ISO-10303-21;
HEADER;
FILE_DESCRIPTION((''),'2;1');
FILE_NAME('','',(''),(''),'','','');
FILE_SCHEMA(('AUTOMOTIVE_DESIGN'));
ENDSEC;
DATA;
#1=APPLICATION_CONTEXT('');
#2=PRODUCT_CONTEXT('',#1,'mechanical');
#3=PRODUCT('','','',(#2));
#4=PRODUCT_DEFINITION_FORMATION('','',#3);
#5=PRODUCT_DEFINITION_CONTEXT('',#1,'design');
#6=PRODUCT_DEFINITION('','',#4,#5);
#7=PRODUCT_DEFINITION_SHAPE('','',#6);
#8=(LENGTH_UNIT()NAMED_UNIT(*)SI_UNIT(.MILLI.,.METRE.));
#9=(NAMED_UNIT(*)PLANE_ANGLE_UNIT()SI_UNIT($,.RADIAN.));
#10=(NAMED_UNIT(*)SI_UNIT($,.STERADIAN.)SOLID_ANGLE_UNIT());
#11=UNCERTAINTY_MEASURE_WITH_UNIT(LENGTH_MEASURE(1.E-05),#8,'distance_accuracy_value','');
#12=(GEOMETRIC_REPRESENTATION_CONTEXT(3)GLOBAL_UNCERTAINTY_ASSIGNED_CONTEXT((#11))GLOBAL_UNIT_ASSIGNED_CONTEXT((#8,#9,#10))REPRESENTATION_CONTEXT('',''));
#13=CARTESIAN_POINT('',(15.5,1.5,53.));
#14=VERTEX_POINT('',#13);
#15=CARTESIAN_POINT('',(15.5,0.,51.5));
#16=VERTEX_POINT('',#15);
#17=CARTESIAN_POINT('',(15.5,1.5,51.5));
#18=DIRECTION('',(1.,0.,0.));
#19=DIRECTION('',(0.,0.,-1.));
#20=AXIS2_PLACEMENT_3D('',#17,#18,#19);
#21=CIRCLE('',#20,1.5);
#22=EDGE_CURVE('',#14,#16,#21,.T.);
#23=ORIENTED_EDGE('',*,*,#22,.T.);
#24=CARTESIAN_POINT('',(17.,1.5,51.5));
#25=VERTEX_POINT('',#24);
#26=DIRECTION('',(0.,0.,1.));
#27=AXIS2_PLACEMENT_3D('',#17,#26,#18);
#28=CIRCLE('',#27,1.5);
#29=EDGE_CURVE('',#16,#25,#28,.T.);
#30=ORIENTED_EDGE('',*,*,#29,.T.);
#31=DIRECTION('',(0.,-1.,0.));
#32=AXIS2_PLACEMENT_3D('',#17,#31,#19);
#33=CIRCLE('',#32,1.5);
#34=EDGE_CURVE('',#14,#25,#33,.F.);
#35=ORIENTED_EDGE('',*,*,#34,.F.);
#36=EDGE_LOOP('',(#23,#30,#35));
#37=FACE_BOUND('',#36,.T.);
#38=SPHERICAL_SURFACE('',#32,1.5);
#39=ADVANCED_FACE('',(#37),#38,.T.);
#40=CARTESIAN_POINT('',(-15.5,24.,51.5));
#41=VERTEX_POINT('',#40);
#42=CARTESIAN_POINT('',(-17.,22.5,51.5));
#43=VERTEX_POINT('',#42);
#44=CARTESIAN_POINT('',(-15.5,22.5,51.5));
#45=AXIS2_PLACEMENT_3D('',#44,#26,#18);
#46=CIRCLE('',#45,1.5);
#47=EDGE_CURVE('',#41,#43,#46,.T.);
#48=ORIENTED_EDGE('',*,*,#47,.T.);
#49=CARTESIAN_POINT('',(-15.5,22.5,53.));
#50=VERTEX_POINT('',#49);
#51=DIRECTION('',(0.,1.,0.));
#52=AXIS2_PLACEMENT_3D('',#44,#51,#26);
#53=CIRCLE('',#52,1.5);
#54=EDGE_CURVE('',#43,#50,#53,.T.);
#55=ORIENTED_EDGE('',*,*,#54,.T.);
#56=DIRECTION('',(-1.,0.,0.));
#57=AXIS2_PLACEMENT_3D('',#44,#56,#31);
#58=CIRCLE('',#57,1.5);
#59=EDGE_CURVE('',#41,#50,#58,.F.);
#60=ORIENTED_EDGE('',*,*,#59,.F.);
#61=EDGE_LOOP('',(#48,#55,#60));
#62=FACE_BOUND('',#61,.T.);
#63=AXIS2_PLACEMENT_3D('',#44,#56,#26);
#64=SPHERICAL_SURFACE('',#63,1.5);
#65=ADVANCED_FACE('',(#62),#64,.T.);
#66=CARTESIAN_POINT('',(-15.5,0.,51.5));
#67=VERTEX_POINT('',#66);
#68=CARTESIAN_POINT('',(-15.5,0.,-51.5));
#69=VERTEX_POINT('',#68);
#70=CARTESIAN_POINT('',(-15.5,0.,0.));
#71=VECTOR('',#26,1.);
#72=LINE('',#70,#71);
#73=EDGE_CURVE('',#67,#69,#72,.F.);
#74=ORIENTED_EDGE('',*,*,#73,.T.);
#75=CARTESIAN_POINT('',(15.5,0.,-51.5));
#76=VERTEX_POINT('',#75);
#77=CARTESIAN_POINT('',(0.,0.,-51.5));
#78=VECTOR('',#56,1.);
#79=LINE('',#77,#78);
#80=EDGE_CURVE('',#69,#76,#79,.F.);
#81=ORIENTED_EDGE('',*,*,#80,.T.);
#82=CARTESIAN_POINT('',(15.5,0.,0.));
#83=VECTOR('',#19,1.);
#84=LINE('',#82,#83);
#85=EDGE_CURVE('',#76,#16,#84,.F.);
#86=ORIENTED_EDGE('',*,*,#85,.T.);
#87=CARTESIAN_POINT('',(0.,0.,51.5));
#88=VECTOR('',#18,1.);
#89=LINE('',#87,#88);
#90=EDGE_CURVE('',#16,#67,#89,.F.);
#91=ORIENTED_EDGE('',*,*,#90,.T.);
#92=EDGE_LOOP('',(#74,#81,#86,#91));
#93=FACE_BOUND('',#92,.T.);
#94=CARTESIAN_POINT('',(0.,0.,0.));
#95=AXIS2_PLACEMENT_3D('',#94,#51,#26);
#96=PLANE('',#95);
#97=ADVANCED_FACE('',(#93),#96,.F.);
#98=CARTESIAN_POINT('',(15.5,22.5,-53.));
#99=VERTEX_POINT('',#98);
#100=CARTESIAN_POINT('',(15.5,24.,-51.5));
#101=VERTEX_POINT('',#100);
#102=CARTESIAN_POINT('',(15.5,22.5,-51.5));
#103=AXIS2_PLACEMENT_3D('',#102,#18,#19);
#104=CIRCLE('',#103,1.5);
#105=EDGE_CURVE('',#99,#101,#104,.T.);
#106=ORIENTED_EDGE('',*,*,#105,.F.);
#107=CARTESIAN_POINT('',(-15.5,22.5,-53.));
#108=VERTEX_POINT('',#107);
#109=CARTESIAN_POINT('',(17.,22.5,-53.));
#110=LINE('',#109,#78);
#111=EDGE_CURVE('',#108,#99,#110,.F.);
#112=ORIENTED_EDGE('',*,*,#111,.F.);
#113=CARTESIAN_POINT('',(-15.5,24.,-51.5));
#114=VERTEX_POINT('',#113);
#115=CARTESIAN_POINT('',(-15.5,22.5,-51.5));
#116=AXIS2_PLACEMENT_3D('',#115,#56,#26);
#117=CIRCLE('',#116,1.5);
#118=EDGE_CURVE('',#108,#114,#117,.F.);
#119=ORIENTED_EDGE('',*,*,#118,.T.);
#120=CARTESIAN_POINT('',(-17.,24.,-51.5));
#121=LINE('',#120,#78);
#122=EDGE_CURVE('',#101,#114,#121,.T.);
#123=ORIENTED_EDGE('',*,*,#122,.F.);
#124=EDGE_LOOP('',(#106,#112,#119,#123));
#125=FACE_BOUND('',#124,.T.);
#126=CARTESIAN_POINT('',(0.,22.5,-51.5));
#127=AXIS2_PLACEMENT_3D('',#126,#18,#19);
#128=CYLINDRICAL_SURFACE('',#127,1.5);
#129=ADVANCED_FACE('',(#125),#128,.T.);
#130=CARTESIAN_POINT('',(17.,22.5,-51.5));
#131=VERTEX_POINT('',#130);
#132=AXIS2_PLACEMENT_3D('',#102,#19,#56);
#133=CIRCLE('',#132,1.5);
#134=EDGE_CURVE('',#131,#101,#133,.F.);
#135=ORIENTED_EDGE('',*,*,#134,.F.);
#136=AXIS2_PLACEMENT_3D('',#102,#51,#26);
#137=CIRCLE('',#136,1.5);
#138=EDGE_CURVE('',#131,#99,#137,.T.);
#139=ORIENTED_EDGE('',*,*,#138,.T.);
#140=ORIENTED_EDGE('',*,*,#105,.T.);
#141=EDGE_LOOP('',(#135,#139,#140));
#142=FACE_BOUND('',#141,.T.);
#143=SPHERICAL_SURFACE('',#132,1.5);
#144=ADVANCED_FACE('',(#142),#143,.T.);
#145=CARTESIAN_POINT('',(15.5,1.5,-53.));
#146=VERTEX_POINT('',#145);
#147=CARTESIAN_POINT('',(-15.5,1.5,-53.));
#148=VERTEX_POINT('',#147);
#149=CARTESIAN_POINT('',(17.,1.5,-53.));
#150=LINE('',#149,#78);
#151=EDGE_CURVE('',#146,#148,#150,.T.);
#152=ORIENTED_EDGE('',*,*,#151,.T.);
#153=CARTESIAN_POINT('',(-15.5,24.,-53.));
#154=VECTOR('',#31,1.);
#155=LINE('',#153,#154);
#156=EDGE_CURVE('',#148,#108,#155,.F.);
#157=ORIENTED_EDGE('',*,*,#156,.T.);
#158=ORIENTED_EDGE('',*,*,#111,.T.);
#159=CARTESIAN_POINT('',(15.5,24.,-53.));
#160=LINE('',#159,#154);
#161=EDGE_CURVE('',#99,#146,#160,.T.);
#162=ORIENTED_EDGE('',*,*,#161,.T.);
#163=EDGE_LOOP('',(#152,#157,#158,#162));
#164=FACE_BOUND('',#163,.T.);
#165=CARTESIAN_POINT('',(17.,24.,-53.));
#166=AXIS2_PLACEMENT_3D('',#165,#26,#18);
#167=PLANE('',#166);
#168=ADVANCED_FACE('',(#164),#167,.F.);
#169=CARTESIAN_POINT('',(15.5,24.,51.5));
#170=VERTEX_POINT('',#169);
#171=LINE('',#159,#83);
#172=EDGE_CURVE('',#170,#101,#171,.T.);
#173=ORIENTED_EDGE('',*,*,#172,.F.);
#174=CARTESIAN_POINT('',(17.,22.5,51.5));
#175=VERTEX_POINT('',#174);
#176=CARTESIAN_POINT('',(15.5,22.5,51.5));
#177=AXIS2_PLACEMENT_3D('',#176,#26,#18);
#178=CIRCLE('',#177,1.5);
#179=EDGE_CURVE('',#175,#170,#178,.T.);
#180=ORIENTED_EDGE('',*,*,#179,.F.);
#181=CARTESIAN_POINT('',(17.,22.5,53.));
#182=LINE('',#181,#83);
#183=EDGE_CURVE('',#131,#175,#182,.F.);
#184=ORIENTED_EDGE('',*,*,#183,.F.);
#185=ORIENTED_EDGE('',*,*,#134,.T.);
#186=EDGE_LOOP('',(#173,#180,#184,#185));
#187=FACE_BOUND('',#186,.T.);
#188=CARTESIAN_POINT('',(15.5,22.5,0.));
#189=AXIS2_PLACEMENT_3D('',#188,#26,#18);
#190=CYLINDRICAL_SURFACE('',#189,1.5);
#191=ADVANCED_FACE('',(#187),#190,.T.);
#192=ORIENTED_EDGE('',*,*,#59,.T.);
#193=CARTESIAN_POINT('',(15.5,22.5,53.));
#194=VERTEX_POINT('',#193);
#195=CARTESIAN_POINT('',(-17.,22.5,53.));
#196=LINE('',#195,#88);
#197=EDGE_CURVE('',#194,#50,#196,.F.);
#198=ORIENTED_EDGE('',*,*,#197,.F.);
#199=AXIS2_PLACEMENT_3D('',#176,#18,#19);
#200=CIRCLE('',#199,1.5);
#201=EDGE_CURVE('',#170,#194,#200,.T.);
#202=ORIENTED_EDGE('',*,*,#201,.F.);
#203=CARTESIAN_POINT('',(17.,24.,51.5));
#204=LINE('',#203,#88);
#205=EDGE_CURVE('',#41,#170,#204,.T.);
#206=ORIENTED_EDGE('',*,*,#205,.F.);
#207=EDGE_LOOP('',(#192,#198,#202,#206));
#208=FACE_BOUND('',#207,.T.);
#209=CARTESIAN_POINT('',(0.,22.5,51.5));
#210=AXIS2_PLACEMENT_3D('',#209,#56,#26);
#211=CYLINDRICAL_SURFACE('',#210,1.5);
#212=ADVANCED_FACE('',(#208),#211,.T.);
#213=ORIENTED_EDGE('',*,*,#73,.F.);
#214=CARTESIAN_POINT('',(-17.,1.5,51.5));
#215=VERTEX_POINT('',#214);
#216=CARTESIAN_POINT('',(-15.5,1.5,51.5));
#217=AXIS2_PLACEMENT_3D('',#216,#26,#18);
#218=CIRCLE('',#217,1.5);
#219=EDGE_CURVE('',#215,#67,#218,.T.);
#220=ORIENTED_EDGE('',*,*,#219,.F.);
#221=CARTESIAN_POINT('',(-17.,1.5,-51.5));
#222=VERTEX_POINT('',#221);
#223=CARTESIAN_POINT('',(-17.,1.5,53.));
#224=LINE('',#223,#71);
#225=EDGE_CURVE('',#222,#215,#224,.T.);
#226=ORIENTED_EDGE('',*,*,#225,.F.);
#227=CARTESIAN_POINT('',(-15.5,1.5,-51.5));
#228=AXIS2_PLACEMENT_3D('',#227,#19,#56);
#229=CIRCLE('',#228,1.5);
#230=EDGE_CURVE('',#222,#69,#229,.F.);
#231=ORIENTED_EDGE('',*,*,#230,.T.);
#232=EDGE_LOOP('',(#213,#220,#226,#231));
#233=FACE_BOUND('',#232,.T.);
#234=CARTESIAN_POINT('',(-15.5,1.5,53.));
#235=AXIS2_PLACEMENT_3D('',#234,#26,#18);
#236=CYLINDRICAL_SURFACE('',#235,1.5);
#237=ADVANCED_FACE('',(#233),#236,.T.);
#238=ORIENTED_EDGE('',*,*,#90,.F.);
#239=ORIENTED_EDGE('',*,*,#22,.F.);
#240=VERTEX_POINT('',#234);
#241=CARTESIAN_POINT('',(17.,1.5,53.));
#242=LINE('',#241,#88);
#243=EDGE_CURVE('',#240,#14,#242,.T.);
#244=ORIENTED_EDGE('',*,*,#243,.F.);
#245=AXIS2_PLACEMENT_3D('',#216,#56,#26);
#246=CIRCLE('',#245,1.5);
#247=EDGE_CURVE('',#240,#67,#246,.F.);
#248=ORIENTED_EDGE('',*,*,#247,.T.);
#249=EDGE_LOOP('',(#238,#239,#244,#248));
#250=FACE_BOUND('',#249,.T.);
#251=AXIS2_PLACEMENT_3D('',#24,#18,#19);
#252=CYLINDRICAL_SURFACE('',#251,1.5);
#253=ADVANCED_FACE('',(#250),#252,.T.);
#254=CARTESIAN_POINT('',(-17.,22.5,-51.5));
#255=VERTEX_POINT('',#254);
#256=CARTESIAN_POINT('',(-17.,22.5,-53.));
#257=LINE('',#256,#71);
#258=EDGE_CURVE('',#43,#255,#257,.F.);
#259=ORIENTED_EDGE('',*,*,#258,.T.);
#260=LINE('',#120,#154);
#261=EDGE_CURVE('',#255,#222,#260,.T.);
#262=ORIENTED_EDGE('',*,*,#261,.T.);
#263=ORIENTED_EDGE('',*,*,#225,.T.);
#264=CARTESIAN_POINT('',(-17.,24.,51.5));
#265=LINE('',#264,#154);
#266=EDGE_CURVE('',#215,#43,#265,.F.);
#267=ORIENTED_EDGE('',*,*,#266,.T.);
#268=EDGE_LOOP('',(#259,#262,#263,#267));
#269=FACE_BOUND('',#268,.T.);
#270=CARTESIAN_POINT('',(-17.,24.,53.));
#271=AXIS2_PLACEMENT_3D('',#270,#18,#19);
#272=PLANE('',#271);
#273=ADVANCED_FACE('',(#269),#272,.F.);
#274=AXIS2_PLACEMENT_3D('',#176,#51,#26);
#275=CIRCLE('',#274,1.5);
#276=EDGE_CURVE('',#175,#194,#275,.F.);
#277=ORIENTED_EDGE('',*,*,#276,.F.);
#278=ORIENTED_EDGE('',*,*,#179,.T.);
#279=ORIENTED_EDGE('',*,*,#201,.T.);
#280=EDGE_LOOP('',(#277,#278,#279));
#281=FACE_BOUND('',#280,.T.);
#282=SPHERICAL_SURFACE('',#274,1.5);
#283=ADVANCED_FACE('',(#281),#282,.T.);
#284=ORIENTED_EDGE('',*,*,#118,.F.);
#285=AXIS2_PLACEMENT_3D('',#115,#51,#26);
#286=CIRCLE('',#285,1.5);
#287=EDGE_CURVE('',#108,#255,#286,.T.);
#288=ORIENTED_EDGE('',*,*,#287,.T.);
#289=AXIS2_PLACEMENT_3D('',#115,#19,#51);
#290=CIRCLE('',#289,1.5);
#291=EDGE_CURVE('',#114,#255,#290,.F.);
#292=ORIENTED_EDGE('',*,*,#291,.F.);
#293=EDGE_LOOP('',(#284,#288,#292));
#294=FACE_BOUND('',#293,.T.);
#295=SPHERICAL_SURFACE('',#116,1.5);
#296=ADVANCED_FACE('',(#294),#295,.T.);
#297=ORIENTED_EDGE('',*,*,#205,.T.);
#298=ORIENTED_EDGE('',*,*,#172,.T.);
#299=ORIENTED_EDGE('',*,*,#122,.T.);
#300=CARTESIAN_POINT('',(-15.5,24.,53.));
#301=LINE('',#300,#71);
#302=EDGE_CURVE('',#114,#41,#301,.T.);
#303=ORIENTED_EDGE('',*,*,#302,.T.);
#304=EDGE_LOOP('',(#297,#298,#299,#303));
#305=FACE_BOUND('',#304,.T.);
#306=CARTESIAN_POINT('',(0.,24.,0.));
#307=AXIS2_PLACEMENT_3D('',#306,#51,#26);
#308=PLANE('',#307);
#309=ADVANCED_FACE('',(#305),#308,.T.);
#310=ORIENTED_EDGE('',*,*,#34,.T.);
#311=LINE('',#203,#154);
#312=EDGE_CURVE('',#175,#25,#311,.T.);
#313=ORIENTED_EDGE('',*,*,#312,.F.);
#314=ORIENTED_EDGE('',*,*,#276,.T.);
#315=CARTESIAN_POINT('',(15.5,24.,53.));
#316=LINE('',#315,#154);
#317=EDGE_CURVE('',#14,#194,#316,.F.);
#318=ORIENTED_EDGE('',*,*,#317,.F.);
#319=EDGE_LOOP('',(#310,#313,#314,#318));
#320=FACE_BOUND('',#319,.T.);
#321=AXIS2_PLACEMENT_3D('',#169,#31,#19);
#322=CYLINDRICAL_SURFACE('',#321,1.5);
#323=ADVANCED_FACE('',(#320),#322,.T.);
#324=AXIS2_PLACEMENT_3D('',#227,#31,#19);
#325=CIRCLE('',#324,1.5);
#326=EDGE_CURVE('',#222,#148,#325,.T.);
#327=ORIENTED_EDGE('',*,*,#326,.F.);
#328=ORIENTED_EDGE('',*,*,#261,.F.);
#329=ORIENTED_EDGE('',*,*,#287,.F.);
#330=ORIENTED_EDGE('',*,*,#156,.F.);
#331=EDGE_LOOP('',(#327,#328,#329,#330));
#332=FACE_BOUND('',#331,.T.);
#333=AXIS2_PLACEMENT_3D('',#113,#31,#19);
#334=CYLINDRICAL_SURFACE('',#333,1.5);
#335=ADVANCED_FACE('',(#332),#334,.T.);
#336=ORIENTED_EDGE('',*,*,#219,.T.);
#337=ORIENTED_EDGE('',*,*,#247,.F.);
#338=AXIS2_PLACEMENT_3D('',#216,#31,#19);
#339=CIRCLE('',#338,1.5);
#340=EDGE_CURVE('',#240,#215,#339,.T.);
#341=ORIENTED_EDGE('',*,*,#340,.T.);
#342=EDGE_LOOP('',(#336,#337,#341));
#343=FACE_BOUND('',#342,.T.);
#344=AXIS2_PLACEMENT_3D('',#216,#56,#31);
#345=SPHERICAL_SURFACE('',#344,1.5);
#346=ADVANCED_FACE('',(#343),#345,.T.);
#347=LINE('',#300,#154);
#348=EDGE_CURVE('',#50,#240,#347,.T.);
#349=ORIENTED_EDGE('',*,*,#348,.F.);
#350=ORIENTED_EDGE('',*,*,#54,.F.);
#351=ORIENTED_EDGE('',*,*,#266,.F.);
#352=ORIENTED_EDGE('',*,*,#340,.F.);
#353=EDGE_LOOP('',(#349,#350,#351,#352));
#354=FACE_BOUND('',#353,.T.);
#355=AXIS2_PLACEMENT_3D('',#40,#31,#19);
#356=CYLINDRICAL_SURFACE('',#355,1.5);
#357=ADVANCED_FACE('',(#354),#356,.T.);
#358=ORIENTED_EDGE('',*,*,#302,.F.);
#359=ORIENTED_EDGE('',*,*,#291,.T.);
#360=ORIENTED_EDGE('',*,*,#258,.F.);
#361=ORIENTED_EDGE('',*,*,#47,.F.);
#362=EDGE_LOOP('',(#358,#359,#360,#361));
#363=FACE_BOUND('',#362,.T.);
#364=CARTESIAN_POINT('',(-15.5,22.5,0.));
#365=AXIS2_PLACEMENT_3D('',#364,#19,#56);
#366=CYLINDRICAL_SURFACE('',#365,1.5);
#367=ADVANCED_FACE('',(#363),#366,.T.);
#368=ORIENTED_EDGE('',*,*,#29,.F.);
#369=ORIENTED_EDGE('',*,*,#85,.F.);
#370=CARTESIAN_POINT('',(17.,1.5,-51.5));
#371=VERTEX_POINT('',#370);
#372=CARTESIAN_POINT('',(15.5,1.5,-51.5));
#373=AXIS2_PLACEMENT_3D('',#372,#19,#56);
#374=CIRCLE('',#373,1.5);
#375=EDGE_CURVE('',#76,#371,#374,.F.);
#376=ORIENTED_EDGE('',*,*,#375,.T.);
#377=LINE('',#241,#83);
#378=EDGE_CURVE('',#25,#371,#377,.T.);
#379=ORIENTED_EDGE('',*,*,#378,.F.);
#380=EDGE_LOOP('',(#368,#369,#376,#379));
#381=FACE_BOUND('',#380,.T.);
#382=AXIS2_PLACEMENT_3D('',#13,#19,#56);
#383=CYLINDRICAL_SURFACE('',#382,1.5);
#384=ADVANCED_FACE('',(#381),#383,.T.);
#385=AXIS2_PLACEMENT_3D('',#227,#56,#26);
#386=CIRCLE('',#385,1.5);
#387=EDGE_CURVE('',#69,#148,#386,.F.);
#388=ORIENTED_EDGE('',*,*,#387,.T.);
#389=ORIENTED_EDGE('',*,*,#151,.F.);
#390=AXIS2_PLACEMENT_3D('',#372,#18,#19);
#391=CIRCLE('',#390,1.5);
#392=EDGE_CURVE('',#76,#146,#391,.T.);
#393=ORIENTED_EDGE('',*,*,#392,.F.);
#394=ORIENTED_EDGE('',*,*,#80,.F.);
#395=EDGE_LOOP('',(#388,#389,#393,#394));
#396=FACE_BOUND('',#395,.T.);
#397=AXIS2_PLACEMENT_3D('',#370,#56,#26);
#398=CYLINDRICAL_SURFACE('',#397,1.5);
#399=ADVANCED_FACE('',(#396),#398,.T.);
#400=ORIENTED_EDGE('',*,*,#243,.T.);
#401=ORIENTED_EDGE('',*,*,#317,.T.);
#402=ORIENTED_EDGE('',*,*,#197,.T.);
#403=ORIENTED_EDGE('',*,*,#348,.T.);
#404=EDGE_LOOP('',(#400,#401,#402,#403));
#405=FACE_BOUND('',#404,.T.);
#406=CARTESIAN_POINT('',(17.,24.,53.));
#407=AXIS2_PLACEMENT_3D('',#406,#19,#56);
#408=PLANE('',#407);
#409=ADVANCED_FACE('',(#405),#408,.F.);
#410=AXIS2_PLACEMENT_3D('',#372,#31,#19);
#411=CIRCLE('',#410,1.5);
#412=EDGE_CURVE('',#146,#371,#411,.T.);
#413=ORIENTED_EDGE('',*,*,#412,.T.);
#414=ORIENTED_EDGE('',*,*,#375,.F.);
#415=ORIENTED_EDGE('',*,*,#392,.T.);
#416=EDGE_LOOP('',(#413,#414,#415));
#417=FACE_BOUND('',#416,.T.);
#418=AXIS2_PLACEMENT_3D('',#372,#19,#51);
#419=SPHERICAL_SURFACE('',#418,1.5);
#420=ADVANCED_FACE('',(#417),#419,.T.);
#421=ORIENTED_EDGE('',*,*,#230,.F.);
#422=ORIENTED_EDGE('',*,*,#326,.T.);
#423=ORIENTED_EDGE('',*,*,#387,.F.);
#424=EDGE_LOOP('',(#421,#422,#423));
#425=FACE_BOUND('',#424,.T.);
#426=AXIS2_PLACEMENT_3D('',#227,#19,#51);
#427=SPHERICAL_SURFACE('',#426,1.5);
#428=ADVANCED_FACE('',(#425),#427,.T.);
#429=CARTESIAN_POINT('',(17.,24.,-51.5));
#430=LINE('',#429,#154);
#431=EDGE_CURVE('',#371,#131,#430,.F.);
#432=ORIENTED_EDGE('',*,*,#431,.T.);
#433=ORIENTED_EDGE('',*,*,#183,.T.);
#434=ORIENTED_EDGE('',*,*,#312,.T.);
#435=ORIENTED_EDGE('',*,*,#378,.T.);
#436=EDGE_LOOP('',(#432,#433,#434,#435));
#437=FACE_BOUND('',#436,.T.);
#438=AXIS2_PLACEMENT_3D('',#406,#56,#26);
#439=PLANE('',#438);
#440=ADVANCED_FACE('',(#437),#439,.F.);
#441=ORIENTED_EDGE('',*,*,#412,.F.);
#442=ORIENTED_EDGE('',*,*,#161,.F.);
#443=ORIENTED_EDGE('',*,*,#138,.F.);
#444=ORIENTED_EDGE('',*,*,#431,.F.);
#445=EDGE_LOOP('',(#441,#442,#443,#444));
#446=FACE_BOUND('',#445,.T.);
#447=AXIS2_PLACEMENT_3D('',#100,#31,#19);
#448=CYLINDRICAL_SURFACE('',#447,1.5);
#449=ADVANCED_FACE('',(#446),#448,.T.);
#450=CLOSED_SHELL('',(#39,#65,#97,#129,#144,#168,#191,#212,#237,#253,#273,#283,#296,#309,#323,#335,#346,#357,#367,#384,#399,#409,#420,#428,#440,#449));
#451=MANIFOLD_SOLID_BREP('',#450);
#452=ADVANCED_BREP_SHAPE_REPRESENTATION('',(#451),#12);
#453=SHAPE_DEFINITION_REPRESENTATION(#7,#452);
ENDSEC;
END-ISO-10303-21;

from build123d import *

# Parameters (mm, degrees)
CROQUIS1_W              = 34
CROQUIS1_H              = 106
SALIENTE_EXTRUIR1_DEPTH = 24
REDONDEO1_R             = 1.5


with BuildPart() as part:
    # Croquis1 → Saliente-Extruir1 (new body)
    with BuildSketch(Plane(origin=(0, 0, 0), x_dir=(1, 0, 0), z_dir=(0, 1, 0))):
        Rectangle(CROQUIS1_W, CROQUIS1_H)
    extrude(amount=SALIENTE_EXTRUIR1_DEPTH)

    # Redondeo1
    redondeo1_edges = [part.edges().sort_by_distance(p)[0] for p in [
        (17, 24, 0),
        (0, 24, -53),
        (-17, 24, 0),
        (0, 0, -53),
        (17, 0, 0),
        (0, 0, 53),
        (-17, 0, 0),
        (-17, 12, -53),
        (17, 12, -53),
        (17, 12, 53),
        (-17, 12, 53),
        (0, 24, 53),
    ]]
    fillet(redondeo1_edges, radius=REDONDEO1_R)


solid = part.part
